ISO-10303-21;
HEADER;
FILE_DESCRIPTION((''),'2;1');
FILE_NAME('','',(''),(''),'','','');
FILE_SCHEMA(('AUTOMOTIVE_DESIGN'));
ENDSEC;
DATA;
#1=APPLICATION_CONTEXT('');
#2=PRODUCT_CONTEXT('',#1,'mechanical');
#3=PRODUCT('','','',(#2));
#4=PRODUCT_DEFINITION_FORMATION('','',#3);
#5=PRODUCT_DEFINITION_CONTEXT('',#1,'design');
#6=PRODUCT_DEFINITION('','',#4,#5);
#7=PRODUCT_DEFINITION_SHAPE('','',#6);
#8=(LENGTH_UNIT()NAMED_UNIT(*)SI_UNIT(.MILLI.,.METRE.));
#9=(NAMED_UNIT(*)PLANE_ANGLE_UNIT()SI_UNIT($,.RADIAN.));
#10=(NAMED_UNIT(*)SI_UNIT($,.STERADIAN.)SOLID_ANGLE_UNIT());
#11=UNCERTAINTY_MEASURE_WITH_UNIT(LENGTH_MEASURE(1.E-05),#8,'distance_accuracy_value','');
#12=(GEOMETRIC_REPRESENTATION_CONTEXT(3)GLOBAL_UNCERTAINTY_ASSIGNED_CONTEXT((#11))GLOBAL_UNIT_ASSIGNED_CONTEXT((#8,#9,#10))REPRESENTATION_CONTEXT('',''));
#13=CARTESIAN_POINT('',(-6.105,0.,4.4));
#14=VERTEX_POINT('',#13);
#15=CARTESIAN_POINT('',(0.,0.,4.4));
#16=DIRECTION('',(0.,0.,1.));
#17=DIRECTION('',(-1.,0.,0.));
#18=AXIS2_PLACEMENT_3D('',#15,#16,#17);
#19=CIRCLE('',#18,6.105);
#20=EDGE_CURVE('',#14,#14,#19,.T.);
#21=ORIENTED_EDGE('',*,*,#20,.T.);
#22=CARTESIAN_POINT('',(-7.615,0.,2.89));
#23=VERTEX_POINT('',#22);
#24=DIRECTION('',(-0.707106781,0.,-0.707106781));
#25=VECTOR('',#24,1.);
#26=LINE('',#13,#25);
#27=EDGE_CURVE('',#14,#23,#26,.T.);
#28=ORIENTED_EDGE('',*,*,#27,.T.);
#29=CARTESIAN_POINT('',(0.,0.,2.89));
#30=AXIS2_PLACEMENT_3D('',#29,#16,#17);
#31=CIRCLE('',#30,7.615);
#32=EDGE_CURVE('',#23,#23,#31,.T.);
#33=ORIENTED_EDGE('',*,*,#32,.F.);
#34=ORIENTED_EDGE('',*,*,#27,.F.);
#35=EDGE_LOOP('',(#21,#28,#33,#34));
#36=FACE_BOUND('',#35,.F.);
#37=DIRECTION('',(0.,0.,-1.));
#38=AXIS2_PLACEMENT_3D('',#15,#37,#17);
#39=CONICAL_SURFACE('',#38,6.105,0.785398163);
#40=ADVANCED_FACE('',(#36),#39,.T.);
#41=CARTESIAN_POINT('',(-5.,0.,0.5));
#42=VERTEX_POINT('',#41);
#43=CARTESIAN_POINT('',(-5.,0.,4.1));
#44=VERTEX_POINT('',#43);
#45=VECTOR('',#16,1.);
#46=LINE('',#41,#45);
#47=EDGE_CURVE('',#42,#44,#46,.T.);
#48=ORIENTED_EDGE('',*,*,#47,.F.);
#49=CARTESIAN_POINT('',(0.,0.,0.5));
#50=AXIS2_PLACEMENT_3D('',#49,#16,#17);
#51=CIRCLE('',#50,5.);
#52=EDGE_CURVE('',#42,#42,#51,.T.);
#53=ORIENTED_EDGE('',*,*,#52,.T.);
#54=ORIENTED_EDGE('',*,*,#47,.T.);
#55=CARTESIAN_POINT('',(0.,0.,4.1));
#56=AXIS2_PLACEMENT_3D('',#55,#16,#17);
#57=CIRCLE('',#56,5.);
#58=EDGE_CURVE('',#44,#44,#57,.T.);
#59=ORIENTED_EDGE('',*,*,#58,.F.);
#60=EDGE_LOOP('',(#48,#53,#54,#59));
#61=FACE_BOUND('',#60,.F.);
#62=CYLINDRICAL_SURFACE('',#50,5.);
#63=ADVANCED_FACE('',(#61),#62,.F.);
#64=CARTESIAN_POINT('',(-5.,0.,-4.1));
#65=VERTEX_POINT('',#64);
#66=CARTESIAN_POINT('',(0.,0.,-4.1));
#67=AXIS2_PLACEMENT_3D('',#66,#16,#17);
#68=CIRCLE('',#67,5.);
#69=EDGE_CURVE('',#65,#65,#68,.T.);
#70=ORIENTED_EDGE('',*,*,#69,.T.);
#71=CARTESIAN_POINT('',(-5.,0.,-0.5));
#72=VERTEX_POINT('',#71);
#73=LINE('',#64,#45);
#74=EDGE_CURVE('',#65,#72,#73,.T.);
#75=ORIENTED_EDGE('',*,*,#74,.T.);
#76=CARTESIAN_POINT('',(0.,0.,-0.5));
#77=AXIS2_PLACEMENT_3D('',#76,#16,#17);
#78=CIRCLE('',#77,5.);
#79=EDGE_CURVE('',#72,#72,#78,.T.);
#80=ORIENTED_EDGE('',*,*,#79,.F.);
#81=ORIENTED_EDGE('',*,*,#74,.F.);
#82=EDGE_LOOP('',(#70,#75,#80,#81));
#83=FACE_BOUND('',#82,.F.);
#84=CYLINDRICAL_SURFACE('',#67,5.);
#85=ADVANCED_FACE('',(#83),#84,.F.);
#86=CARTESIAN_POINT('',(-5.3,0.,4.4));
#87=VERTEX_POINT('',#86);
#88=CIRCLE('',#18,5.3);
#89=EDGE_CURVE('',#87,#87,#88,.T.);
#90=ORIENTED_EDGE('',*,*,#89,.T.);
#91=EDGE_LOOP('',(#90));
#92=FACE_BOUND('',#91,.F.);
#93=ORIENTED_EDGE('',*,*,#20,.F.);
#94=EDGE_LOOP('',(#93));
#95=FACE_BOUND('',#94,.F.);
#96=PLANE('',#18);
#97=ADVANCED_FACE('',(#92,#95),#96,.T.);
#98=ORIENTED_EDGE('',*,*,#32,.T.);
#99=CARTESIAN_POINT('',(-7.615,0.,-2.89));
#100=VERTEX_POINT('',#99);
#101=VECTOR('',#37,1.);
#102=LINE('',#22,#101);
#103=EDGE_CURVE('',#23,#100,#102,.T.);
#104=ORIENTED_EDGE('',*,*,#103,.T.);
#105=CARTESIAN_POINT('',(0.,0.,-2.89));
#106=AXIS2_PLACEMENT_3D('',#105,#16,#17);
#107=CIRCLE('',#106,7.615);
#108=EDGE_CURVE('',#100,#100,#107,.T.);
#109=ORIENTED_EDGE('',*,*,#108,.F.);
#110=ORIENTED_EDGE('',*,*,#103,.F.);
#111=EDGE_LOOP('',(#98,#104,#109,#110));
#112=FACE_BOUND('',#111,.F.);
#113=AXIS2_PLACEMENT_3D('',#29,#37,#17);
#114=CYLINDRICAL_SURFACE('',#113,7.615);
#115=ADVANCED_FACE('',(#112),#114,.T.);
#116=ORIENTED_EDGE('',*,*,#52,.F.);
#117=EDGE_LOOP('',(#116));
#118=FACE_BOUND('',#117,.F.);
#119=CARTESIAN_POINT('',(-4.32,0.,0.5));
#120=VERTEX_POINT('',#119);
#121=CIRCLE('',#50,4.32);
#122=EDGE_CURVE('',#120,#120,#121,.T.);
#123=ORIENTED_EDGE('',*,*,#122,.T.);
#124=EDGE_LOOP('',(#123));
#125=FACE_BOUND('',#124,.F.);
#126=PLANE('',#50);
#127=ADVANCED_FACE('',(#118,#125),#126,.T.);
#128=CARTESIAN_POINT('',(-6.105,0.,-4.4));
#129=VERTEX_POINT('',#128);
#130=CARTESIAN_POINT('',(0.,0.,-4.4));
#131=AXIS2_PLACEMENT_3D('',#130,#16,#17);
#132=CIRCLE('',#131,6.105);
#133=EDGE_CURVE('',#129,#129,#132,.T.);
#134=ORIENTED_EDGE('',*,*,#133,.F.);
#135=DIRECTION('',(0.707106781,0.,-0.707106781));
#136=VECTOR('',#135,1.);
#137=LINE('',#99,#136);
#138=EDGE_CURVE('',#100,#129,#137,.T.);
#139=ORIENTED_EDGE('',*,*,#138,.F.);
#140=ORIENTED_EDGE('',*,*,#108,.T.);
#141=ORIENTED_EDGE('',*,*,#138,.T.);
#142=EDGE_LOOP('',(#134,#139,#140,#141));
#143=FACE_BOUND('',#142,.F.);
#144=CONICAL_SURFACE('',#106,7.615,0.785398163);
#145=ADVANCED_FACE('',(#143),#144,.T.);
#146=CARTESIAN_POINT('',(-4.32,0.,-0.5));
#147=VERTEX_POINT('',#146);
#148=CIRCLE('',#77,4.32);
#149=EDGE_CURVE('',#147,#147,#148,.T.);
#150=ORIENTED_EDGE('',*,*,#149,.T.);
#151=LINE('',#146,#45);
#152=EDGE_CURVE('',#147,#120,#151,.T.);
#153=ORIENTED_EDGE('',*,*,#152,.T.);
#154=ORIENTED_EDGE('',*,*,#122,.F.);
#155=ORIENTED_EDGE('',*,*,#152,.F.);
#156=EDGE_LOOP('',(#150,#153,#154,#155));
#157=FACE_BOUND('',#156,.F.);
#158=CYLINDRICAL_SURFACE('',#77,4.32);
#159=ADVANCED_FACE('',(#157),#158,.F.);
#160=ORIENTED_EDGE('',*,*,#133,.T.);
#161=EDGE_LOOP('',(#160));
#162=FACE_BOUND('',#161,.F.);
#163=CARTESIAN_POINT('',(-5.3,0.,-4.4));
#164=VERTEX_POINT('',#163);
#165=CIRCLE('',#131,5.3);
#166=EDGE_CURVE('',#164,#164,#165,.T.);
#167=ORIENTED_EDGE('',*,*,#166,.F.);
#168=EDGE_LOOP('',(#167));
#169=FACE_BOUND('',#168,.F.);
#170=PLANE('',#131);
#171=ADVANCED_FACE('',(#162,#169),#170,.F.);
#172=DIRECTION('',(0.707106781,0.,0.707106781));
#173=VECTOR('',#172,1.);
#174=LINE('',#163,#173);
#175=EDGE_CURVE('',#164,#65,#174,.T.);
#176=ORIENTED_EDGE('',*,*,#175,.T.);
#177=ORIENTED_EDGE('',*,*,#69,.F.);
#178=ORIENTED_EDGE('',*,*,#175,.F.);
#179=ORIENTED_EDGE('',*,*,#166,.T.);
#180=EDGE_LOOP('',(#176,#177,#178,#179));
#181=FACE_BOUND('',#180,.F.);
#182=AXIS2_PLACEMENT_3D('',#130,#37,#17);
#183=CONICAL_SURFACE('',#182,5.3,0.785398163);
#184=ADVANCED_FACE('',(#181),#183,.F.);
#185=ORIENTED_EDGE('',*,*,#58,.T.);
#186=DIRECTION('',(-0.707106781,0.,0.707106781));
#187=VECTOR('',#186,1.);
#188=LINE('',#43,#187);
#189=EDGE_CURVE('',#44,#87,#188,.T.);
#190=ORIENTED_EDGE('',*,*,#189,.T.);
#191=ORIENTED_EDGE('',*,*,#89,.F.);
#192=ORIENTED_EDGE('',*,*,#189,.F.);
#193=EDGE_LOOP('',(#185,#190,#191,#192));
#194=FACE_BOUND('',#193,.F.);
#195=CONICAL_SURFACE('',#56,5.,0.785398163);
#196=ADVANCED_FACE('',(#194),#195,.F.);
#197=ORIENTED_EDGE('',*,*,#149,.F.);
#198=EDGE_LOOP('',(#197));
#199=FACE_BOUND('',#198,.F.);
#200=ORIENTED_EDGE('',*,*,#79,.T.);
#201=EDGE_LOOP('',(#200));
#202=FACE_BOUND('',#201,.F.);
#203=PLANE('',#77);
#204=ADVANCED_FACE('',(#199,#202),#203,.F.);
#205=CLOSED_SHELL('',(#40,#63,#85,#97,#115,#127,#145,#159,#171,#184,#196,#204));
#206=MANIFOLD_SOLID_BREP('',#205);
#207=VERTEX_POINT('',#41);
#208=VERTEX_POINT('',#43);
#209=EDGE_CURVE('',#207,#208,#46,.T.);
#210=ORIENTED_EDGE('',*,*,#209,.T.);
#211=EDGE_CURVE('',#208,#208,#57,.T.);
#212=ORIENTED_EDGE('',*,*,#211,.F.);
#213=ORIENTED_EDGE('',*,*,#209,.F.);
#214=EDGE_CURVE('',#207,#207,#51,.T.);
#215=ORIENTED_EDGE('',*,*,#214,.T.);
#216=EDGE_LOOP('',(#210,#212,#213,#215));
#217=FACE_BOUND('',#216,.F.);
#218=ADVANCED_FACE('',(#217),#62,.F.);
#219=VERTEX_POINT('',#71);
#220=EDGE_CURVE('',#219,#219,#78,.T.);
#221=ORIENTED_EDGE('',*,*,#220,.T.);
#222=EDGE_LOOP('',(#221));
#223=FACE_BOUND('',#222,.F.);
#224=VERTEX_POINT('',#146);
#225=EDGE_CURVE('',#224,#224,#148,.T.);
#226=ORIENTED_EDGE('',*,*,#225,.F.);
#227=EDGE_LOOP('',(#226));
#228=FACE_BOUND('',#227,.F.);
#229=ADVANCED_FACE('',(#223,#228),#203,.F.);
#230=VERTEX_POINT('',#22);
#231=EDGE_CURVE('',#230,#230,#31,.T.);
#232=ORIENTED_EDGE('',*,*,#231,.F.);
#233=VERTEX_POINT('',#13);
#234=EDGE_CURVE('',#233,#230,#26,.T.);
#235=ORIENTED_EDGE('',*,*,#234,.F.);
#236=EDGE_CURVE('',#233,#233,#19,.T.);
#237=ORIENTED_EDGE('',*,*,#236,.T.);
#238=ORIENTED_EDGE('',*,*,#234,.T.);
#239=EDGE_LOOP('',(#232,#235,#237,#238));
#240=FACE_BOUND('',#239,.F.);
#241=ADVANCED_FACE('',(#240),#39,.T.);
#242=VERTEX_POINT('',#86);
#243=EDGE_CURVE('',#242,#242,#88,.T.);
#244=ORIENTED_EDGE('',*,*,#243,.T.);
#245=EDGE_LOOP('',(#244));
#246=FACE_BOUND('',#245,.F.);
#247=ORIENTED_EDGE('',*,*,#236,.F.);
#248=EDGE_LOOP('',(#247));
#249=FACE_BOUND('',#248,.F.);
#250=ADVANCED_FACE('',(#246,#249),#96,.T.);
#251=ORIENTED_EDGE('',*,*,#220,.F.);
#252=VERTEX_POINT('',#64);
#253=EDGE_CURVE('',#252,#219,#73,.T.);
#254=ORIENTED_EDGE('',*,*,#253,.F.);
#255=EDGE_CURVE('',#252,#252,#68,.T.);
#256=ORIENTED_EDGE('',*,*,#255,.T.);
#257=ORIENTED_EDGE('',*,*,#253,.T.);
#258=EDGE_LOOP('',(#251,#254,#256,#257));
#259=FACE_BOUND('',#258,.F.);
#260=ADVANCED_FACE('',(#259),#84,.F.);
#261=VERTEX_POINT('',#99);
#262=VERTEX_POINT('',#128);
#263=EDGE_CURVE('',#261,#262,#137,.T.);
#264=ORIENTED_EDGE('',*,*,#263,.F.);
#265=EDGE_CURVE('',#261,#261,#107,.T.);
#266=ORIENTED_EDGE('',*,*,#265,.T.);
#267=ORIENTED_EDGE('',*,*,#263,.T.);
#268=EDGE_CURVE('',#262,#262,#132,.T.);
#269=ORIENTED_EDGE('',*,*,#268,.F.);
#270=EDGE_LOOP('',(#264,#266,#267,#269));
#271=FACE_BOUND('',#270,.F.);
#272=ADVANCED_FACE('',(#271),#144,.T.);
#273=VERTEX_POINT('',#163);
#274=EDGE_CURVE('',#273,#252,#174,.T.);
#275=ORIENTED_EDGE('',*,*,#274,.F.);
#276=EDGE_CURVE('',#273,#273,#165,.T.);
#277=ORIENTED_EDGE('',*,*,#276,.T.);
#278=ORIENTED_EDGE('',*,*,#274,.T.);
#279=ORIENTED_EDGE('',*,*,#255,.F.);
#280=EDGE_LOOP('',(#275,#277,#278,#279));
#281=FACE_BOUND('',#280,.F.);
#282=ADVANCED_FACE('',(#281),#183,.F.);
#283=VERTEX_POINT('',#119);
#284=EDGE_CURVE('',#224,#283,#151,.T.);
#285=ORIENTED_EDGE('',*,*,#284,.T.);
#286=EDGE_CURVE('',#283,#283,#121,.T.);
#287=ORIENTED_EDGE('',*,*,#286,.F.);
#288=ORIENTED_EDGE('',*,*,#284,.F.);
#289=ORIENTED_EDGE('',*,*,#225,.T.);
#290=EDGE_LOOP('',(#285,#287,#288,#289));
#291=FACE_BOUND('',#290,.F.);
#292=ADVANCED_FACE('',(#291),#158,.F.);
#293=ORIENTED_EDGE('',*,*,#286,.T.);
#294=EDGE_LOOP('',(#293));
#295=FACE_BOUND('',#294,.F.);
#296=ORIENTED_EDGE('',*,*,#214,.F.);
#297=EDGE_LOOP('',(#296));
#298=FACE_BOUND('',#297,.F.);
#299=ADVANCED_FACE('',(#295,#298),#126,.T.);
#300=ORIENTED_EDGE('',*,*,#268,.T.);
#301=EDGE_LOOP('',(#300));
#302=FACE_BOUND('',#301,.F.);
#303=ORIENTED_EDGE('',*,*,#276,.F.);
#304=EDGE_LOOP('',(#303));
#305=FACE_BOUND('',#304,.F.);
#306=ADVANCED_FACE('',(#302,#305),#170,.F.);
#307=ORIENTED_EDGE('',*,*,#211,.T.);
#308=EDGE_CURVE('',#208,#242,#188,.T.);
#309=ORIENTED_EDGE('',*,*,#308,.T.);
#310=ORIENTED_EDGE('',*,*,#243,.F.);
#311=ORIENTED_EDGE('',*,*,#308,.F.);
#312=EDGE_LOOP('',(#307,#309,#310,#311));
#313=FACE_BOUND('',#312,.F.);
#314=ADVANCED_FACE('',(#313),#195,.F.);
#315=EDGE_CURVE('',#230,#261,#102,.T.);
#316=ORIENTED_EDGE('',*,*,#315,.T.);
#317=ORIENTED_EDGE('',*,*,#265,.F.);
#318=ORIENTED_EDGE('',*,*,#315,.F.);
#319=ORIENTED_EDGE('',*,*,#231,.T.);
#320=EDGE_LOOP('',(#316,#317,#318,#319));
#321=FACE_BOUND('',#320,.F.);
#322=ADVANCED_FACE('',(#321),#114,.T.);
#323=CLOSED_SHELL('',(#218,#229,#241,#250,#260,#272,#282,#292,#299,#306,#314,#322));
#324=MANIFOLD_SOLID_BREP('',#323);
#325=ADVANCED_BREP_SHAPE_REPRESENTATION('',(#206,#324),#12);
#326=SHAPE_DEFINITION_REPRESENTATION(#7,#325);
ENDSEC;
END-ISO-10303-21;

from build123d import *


with BuildPart() as f1:
    # F0 (on Front) → F1 (revolve)
    with BuildSketch(Plane.XZ):
        Polygon((-5, 4.1), (-5.3, 4.4), (-6.105, 4.4), (-7.615, 2.89), (-7.615, -2.89), (-6.105, -4.4), (-5.3, -4.4), (-5, -4.1), (-5, -0.5), (-4.32, -0.5), (-4.32, 0.5), (-5, 0.5), align=None)
    revolve(axis=Axis((0, 0, 0), (0, 0, 1)))


with BuildPart() as f2:
    # F0 (on Front) → F2 (revolve)
    with BuildSketch(Plane.XZ):
        Polygon((-5, 4.1), (-5.3, 4.4), (-6.105, 4.4), (-7.615, 2.89), (-7.615, -2.89), (-6.105, -4.4), (-5.3, -4.4), (-5, -4.1), (-5, -0.5), (-4.32, -0.5), (-4.32, 0.5), (-5, 0.5), align=None)
    revolve(axis=Axis((0, 0, 0), (0, 0, 1)))


solid = Compound([f1.part, f2.part])
